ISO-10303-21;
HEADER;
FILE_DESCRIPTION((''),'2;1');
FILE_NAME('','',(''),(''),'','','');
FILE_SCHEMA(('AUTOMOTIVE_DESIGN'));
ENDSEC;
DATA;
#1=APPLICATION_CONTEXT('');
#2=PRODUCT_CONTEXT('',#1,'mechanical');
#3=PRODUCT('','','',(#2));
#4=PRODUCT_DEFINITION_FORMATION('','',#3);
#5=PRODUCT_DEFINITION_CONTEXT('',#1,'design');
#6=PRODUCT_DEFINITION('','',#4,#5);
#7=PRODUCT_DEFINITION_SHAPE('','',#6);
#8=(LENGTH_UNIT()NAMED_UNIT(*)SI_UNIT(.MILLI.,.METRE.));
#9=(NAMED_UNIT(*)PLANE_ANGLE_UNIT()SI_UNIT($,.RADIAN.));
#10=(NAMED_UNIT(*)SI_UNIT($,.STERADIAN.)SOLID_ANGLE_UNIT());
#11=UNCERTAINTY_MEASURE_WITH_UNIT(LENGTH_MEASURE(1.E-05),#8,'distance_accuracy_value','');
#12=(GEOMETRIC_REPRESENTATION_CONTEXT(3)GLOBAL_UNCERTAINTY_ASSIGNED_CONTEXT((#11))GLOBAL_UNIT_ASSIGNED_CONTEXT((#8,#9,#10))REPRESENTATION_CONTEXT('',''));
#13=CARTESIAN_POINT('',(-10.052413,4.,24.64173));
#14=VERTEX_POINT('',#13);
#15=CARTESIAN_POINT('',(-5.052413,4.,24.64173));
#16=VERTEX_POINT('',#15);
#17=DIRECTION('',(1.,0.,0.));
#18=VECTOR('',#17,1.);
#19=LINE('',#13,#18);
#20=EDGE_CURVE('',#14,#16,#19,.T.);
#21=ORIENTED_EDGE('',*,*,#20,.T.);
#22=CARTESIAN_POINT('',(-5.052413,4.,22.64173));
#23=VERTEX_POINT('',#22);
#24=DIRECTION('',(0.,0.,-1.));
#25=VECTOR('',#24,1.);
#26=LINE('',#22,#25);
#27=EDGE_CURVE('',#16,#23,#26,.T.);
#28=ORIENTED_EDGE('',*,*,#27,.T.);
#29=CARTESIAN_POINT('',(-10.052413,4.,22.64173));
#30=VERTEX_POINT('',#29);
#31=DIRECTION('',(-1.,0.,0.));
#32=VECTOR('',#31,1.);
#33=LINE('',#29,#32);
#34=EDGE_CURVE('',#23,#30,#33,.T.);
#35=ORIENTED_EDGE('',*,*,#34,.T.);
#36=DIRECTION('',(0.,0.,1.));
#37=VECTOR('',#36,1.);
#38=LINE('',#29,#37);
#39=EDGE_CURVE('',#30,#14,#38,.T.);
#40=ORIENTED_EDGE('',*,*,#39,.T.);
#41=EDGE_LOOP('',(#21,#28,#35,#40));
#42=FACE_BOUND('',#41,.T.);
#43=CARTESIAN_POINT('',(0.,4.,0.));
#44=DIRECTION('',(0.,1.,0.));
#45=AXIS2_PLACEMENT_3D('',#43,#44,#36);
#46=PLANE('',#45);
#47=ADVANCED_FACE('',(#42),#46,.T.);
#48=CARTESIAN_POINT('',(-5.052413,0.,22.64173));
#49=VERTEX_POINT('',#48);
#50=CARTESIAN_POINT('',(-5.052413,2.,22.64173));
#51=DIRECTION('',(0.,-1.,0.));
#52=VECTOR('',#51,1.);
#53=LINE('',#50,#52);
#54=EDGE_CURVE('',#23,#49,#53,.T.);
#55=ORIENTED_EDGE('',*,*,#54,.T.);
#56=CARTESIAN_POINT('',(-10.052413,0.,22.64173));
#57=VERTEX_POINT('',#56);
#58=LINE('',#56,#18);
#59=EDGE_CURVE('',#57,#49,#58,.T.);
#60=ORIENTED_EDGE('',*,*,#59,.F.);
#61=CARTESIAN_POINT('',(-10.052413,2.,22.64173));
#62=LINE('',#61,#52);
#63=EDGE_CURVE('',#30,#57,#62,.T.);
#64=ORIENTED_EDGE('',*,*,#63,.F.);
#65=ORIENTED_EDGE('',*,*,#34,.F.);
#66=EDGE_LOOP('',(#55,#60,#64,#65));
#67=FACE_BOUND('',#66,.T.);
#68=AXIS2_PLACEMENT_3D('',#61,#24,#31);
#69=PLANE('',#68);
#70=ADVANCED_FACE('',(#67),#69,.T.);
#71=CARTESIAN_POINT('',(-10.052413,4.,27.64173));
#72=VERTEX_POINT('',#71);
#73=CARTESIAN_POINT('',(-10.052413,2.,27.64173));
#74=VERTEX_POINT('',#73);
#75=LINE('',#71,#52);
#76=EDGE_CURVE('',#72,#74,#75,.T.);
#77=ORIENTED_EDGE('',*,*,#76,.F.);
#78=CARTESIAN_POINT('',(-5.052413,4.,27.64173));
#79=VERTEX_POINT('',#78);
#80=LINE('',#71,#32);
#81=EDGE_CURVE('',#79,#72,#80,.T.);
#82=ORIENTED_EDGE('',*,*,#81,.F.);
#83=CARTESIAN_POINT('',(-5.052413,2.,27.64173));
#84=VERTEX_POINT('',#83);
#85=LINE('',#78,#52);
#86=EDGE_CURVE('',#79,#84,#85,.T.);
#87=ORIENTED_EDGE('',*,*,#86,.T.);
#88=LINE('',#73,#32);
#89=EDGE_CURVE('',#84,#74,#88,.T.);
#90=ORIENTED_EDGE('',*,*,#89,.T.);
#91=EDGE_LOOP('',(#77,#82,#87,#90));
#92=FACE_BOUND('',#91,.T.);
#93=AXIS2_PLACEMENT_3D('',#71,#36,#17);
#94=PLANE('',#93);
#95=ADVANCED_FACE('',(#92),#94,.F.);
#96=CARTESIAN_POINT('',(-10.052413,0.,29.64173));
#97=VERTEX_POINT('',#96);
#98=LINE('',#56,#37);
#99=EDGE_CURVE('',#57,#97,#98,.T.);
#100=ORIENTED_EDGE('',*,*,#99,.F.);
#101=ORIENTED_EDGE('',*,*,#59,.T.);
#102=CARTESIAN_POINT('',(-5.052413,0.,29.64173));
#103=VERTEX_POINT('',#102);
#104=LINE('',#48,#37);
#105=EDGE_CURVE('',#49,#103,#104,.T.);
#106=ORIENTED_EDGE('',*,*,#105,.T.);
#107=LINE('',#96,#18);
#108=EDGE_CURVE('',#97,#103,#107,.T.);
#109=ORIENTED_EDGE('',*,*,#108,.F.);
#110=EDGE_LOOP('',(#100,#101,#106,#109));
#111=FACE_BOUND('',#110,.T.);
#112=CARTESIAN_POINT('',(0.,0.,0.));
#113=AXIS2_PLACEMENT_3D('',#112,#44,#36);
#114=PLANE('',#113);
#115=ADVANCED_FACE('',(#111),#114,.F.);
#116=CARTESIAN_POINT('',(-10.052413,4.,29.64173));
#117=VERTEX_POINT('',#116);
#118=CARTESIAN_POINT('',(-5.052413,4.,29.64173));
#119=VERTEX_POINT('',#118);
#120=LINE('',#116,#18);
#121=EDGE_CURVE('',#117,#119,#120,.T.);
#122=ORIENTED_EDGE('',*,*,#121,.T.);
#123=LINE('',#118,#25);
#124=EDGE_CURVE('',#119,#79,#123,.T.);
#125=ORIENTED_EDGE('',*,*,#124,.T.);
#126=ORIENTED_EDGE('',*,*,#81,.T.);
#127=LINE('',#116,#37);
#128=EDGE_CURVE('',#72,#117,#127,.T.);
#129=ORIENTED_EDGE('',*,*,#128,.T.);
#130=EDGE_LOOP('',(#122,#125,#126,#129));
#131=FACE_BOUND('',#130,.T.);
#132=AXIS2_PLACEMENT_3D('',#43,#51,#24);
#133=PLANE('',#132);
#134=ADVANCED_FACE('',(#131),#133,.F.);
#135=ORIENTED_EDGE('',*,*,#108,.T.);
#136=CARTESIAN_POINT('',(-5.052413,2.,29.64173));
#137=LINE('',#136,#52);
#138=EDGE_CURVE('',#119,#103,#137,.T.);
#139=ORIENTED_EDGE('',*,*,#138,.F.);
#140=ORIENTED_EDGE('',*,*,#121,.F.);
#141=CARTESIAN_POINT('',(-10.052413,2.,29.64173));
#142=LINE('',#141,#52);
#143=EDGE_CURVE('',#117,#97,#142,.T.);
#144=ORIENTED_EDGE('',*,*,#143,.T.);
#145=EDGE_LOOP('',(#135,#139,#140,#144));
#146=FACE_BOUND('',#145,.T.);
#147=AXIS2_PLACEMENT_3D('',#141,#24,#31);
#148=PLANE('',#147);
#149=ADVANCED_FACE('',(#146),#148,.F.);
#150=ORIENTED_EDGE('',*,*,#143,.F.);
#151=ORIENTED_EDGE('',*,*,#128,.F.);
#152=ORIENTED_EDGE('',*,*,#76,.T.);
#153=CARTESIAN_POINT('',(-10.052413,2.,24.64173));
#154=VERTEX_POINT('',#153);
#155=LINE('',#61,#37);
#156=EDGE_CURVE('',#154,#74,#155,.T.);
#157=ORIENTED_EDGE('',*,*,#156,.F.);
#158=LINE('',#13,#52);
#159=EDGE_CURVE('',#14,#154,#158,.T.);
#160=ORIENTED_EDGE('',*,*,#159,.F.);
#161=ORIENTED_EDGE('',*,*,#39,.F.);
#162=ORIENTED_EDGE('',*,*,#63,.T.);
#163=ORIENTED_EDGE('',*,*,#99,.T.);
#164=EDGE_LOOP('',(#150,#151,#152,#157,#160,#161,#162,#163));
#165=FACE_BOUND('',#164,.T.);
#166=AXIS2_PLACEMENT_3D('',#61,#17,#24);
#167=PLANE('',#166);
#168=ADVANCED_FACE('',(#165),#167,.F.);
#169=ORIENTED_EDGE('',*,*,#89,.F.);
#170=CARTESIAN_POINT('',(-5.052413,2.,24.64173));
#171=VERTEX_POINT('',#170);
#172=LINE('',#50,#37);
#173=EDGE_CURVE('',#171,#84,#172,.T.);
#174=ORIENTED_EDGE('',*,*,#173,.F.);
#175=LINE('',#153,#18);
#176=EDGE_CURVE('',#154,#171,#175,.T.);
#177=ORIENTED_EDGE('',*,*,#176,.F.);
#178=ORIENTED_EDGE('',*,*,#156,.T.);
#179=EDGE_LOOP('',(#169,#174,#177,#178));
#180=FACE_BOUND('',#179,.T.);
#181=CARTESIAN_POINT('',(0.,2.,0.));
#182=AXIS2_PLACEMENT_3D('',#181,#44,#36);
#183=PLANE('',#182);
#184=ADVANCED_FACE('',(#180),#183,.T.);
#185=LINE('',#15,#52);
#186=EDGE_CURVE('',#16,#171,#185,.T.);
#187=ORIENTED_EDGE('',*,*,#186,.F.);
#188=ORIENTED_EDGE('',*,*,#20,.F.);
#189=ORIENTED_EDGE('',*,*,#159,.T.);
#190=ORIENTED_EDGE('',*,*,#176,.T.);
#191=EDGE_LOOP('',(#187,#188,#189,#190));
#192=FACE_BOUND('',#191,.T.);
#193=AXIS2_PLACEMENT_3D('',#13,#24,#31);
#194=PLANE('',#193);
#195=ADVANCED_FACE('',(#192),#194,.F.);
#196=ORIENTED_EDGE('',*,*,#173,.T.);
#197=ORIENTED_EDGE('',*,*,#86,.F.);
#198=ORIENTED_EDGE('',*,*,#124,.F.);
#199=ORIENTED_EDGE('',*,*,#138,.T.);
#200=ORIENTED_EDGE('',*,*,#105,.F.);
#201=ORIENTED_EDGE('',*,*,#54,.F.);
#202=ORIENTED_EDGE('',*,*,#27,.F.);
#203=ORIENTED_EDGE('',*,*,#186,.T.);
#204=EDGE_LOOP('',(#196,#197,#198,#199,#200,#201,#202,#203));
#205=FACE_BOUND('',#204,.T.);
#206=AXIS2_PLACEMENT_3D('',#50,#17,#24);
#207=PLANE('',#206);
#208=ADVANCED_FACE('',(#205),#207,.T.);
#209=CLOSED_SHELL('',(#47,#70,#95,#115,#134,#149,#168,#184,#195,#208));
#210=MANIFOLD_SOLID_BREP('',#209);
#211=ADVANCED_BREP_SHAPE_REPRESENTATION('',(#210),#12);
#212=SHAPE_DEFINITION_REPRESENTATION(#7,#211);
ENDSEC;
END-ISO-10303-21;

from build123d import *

# Parameters (mm, degrees)
SKETCH1_W           = 5
SKETCH1_H           = 7
BOSS_EXTRUDE1_DEPTH = 2
SKETCH2_W           = 5
SKETCH2_H           = 2
BOSS_EXTRUDE2_DEPTH = 2


with BuildPart() as part:
    # Sketch1 → Boss-Extrude1 (new body)
    with BuildSketch(Plane(origin=(0, 0, 0), x_dir=(1, 0, 0), z_dir=(0, 1, 0))):
        with Locations((-7.552412901, -26.14173035)):
            Rectangle(SKETCH1_W, SKETCH1_H)
    extrude(amount=BOSS_EXTRUDE1_DEPTH)

    # Sketch2 → Boss-Extrude2 (add)
    with BuildSketch(Plane(origin=(0, 2, 0), x_dir=(1, 0, 0), z_dir=(0, 1, 0))):
        with Locations((-7.552412901, -23.64173035)):
            Rectangle(SKETCH2_W, SKETCH2_H)
        with Locations((-7.552412901, -28.64173035)):
            Rectangle(SKETCH2_W, SKETCH2_H)
    extrude(amount=BOSS_EXTRUDE2_DEPTH)


solid = part.part
